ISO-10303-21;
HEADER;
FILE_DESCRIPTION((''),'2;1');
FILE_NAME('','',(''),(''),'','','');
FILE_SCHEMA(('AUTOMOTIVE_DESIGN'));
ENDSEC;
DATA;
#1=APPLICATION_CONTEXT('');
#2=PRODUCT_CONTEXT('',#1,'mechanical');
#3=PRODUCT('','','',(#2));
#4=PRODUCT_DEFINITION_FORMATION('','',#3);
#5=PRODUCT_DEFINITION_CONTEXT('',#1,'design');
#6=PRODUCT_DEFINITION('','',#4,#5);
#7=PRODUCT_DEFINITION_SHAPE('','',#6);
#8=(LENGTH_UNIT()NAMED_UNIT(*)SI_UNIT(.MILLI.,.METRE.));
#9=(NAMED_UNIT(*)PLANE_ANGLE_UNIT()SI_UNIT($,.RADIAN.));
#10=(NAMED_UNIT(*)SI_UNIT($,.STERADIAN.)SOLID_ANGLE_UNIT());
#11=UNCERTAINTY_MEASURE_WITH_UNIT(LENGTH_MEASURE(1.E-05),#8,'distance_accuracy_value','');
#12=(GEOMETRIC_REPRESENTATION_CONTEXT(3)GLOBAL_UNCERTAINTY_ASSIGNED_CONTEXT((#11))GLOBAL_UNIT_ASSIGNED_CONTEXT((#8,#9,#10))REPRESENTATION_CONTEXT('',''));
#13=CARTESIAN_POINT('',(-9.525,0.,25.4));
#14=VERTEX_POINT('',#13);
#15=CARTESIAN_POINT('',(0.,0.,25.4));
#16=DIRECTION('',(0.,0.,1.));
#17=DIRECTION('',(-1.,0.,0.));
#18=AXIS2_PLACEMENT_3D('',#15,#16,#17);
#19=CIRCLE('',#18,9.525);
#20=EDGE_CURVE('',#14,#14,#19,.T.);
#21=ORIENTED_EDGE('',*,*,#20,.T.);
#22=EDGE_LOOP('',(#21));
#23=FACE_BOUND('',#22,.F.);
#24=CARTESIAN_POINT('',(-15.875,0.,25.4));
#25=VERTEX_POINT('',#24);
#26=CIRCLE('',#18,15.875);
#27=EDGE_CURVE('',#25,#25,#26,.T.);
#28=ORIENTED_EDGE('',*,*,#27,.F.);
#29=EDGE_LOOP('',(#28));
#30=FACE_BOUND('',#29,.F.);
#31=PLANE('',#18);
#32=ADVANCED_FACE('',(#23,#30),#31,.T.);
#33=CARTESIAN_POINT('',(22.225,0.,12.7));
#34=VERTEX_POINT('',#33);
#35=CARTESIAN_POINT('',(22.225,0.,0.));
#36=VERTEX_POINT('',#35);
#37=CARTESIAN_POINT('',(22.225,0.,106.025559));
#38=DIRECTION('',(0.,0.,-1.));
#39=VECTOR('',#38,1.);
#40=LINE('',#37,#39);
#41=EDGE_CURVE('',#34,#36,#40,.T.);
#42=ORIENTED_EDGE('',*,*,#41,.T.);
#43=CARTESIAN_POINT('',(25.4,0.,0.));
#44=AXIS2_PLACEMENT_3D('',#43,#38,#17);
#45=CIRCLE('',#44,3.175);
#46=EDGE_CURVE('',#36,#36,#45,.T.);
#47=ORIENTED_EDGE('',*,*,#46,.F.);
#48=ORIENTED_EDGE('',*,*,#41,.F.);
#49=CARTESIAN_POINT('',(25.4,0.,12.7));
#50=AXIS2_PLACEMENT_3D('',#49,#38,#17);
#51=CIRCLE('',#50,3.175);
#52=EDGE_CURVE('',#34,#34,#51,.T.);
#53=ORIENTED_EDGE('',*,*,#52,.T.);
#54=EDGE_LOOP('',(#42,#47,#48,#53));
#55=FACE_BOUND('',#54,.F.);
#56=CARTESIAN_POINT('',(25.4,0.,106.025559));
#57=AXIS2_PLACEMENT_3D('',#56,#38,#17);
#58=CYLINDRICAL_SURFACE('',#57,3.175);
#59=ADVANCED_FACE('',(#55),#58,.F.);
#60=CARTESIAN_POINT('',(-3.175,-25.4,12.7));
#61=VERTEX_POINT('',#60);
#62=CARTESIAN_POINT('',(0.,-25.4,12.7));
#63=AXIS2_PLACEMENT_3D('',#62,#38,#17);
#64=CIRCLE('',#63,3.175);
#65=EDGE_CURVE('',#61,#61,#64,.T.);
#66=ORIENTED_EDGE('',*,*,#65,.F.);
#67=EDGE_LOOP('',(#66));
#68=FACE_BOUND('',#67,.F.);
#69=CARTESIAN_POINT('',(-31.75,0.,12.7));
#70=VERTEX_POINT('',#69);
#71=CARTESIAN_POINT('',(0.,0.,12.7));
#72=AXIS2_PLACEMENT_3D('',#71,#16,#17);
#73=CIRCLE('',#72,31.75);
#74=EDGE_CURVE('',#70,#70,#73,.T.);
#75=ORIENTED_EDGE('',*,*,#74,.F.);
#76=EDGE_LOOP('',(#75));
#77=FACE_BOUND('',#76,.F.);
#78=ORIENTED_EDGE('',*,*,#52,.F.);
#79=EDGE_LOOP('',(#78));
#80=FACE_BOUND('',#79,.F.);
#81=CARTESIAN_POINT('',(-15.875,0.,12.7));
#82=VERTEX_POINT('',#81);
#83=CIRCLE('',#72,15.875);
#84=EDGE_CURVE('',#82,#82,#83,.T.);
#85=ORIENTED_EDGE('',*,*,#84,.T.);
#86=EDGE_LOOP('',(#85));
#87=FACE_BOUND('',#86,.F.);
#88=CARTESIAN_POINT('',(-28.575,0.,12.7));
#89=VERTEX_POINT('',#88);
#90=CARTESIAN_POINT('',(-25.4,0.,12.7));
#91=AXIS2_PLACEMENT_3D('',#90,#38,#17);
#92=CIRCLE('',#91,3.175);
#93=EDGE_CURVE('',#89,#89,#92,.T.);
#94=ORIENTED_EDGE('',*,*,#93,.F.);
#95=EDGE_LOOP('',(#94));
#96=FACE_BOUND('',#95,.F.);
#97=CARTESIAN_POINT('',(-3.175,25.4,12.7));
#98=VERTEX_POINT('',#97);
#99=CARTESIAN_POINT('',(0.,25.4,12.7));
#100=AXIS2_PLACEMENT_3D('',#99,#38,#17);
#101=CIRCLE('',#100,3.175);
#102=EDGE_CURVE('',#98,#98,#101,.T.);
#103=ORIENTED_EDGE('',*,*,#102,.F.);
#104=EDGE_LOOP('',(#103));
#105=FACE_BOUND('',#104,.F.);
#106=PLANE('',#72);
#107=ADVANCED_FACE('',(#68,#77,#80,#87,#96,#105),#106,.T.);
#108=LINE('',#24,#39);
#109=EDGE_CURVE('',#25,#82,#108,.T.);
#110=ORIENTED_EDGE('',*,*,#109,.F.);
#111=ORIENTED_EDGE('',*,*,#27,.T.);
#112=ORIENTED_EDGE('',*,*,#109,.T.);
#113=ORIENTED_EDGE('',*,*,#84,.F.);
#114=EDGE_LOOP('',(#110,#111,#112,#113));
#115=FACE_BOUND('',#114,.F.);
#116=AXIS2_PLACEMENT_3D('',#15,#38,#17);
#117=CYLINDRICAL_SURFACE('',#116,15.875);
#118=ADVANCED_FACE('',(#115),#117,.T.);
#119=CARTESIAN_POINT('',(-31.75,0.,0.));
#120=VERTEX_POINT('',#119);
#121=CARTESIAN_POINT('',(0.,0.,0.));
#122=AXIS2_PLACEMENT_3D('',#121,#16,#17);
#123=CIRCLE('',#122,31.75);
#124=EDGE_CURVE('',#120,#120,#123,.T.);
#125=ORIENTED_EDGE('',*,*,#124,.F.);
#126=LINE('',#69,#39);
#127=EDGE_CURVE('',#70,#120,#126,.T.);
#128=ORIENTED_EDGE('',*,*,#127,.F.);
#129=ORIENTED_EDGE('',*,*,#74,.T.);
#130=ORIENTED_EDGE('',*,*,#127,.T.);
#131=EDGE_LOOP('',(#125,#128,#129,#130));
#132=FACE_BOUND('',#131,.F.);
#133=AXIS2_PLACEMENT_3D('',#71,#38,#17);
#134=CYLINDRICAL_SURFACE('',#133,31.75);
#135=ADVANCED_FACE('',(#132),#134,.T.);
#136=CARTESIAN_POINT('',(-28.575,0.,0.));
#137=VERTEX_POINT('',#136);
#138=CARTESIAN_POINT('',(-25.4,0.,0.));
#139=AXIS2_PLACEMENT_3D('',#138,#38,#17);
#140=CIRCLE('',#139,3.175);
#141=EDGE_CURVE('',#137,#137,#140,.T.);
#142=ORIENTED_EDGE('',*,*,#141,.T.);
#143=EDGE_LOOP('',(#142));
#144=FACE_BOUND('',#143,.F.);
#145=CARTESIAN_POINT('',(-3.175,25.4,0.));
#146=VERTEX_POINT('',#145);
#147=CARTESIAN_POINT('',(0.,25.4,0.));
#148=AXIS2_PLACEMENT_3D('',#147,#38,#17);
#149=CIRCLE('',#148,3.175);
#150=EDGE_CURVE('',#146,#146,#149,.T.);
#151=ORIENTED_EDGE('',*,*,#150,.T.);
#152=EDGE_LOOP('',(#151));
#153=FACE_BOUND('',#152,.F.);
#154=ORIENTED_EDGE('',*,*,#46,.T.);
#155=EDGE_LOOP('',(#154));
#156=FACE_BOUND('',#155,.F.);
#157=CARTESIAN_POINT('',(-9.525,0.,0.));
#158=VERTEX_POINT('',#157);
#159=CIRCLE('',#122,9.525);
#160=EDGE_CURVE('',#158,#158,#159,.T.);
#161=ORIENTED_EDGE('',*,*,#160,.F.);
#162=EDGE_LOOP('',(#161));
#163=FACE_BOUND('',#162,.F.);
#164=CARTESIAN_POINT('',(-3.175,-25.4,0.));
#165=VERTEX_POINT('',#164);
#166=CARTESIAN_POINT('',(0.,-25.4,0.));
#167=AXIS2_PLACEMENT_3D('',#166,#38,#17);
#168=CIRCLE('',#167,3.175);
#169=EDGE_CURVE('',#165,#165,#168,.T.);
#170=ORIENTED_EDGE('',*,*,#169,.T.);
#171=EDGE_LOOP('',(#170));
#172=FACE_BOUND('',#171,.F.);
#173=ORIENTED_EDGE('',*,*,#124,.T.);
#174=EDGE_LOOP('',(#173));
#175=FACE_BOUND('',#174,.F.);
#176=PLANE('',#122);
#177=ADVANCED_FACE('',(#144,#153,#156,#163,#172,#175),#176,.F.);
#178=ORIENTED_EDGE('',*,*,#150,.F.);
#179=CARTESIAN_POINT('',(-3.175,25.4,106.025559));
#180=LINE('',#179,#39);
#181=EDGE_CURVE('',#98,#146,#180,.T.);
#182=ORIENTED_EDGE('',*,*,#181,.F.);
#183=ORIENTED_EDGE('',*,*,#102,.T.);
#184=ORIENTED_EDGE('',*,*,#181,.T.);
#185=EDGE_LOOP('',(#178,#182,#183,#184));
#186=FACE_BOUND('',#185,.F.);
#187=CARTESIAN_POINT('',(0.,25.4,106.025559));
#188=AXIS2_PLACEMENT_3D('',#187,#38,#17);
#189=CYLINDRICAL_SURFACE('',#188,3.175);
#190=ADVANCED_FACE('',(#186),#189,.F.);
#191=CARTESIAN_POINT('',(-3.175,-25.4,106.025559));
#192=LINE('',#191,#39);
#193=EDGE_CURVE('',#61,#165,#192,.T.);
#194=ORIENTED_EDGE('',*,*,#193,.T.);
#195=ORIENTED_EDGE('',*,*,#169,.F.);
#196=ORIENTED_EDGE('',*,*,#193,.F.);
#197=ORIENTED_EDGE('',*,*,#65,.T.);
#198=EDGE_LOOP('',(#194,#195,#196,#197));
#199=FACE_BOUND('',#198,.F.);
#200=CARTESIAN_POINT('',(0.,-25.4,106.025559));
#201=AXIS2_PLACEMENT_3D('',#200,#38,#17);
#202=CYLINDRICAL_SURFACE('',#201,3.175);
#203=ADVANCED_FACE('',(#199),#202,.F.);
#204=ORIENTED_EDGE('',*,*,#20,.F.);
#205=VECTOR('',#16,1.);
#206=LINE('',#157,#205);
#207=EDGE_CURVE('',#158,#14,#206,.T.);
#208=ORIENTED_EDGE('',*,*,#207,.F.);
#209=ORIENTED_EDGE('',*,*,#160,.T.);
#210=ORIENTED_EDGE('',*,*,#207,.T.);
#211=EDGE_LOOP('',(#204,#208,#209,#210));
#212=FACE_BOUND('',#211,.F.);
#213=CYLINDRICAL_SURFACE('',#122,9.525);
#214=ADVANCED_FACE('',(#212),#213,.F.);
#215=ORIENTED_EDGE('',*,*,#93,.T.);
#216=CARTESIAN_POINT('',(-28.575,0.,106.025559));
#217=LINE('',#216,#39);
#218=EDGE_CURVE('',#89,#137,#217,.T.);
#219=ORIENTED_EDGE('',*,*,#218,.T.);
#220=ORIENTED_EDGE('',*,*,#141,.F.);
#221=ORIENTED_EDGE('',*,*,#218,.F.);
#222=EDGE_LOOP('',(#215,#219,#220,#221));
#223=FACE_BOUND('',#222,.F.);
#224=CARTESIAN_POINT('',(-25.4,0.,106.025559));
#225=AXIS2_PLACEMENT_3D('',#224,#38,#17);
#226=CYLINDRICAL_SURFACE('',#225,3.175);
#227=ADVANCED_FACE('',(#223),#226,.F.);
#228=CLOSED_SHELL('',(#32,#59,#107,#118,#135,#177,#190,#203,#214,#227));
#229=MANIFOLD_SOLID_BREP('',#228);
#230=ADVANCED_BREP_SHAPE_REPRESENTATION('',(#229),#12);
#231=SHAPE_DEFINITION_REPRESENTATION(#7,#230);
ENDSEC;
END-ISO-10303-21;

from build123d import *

# Parameters (mm, degrees)
F3_D = 6.35


with BuildPart() as f1:
    # F0 (on Front) → F1 (revolve)
    with BuildSketch(Plane.XZ):
        Polygon((-31.75, 0), (-9.525, 0), (-9.525, 25.4), (-15.875, 25.4), (-15.875, 12.7), (-31.75, 12.7), align=None)
    revolve(axis=Axis((0, 0, 19.356632), (0, 0, 1)))

    # F3 (through all)
    with Locations(Plane.XY.offset(12.7)):
        with Locations((0, 25.4), (-25.4, 0), (0, -25.4), (25.4, 0)):
            Hole(F3_D / 2)


solid = f1.part
